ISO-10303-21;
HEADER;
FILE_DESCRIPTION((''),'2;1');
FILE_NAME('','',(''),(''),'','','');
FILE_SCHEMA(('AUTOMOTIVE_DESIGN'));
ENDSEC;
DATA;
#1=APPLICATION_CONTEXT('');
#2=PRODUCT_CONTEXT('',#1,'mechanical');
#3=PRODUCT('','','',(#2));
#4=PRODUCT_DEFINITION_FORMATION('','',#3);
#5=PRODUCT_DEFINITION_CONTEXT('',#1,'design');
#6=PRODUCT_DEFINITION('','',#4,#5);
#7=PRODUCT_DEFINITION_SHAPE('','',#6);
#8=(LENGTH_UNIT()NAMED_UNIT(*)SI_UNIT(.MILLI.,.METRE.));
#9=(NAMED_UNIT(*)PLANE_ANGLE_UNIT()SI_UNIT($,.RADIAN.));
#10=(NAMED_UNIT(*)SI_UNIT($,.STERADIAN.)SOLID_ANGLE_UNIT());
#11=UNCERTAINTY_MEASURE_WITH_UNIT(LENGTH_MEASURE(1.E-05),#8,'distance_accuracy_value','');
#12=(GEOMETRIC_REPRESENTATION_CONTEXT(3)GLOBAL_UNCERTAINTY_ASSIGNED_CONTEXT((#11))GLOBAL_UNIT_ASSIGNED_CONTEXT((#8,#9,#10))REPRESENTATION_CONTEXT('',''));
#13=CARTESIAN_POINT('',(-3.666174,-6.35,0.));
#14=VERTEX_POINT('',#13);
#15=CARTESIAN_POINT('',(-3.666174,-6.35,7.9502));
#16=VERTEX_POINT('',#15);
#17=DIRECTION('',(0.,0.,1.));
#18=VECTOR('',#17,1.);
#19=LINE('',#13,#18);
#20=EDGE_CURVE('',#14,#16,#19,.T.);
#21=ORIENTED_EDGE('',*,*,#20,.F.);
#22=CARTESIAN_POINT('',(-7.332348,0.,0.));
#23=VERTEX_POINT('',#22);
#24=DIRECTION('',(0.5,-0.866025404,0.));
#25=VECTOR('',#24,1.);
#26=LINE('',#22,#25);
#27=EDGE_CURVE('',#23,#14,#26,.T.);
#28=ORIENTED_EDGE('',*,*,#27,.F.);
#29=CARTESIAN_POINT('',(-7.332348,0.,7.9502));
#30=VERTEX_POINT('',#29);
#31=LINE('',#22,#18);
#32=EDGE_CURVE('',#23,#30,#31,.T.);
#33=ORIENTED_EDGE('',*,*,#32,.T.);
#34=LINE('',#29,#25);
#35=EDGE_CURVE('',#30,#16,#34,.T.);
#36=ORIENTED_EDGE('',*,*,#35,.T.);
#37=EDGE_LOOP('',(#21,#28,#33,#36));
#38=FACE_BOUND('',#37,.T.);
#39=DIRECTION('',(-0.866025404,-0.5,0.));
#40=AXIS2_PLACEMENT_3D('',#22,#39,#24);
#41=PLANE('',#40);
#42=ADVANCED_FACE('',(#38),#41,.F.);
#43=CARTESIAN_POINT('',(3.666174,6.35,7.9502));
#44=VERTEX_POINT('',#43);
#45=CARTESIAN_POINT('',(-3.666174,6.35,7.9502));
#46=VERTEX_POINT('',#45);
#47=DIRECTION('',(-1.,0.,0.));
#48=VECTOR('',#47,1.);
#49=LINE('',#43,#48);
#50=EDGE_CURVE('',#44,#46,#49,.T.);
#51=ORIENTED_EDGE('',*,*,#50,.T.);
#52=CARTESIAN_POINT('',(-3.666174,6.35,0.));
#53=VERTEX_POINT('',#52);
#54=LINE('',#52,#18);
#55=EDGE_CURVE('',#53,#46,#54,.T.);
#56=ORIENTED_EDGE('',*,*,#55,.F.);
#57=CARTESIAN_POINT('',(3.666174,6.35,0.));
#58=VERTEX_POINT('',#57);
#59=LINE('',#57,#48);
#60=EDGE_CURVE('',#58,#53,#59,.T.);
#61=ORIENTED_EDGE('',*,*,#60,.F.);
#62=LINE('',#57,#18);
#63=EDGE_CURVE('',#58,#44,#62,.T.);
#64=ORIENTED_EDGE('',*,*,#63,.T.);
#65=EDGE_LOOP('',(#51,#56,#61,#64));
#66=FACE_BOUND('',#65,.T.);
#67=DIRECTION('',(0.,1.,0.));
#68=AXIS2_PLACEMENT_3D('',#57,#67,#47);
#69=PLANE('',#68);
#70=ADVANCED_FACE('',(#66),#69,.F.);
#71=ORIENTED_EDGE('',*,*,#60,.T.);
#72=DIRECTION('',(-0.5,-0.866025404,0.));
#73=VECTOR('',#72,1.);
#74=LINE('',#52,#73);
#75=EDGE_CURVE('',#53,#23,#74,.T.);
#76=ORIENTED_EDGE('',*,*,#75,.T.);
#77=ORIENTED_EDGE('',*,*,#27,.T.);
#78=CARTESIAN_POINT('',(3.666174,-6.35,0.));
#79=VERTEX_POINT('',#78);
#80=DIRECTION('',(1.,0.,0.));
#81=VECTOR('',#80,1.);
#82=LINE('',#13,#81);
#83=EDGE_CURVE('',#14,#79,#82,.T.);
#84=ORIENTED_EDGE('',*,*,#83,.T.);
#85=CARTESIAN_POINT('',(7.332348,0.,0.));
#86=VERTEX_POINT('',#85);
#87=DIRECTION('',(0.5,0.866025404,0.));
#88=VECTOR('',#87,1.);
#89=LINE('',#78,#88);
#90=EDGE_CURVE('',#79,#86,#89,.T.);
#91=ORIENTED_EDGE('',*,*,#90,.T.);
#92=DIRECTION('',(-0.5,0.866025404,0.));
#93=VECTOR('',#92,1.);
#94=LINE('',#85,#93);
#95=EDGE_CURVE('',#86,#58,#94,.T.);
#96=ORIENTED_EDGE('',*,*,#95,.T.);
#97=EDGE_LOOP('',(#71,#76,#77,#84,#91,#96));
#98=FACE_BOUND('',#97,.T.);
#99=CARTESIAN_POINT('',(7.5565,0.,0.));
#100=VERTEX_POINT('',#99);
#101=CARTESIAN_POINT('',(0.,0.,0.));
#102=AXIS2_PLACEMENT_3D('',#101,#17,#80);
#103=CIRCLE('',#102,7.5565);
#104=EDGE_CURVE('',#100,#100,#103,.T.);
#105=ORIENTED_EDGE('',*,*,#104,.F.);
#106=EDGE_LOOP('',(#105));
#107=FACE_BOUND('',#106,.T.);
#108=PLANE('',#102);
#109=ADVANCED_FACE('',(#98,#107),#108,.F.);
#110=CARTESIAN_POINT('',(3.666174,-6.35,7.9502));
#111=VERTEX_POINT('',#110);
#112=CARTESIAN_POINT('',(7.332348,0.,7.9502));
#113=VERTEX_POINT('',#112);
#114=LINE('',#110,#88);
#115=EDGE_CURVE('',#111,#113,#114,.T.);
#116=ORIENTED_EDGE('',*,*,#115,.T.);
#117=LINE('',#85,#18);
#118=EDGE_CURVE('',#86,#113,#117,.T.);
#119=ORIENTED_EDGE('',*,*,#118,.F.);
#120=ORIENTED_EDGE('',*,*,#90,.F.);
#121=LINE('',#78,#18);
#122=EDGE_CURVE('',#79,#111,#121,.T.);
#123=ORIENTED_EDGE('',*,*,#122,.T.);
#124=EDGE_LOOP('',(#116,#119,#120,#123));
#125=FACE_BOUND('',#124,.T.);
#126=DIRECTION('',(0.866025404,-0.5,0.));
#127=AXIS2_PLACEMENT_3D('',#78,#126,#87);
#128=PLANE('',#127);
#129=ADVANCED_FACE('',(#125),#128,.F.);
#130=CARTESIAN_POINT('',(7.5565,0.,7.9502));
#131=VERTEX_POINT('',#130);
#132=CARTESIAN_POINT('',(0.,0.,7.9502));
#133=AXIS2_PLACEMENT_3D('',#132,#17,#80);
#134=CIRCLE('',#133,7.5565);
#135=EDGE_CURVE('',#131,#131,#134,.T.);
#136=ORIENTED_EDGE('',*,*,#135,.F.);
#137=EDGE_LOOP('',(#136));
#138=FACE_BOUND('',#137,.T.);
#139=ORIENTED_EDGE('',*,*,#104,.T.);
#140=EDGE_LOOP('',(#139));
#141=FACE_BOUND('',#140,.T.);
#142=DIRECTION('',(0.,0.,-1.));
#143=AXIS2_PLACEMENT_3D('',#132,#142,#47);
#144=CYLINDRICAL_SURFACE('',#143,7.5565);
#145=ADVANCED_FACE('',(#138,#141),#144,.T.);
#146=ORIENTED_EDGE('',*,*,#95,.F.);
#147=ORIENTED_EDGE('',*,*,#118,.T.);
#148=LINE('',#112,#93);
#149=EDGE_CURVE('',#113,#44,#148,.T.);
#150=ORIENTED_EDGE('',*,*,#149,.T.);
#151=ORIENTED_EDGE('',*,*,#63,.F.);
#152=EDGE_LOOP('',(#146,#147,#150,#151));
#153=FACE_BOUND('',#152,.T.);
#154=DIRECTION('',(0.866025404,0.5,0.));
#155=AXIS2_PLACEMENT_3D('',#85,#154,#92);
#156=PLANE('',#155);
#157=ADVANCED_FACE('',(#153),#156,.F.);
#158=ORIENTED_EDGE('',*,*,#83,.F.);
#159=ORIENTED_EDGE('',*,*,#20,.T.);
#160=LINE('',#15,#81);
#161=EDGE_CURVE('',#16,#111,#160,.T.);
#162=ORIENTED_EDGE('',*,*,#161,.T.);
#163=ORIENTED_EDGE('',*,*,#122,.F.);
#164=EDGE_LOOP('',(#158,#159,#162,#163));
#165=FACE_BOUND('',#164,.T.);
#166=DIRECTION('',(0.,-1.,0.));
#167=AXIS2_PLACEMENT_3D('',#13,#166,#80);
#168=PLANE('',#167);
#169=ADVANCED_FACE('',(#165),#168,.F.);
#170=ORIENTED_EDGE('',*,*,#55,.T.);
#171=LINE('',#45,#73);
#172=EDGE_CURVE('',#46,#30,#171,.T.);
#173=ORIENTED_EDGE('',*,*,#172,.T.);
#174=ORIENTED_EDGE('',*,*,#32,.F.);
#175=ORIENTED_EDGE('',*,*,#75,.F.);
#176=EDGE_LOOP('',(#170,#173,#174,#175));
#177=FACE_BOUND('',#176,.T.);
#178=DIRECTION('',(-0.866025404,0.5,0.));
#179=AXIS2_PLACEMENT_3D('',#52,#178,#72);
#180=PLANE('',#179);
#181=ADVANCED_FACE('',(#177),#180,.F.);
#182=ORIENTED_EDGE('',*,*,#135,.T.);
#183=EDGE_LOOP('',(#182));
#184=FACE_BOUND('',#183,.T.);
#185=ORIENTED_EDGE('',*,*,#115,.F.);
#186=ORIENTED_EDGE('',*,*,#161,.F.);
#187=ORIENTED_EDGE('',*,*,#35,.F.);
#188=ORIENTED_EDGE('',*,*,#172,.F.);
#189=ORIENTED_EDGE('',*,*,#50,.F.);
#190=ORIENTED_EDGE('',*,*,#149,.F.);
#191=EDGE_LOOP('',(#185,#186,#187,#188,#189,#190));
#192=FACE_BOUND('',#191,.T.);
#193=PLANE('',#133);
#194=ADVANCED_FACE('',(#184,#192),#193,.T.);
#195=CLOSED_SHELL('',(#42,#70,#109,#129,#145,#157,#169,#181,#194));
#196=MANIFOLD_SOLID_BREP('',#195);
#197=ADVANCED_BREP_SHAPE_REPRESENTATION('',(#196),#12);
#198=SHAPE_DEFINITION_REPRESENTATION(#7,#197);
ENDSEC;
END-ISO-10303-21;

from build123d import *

# Parameters (mm, degrees)
SKETCH1_R           = 7.5565
BOSS_EXTRUDE1_DEPTH = 7.9502
CUT_EXTRUDE1_DEPTH  = 14.319424332


with BuildPart() as part:
    # Sketch1 → Boss-Extrude1 (new body)
    with BuildSketch(Plane.XY):
        Circle(SKETCH1_R)
    extrude(amount=BOSS_EXTRUDE1_DEPTH)

    # Sketch2 → Cut-Extrude1 (cut, through all)
    with BuildSketch(Plane.XY.offset(7.9502)):
        Polygon((7.332348419, 0), (3.666174209, 6.35), (-3.666174209, 6.35), (-7.332348419, 0), (-3.666174209, -6.35), (3.666174209, -6.35), align=None)
    extrude(amount=-CUT_EXTRUDE1_DEPTH, mode=Mode.SUBTRACT)


solid = part.part
